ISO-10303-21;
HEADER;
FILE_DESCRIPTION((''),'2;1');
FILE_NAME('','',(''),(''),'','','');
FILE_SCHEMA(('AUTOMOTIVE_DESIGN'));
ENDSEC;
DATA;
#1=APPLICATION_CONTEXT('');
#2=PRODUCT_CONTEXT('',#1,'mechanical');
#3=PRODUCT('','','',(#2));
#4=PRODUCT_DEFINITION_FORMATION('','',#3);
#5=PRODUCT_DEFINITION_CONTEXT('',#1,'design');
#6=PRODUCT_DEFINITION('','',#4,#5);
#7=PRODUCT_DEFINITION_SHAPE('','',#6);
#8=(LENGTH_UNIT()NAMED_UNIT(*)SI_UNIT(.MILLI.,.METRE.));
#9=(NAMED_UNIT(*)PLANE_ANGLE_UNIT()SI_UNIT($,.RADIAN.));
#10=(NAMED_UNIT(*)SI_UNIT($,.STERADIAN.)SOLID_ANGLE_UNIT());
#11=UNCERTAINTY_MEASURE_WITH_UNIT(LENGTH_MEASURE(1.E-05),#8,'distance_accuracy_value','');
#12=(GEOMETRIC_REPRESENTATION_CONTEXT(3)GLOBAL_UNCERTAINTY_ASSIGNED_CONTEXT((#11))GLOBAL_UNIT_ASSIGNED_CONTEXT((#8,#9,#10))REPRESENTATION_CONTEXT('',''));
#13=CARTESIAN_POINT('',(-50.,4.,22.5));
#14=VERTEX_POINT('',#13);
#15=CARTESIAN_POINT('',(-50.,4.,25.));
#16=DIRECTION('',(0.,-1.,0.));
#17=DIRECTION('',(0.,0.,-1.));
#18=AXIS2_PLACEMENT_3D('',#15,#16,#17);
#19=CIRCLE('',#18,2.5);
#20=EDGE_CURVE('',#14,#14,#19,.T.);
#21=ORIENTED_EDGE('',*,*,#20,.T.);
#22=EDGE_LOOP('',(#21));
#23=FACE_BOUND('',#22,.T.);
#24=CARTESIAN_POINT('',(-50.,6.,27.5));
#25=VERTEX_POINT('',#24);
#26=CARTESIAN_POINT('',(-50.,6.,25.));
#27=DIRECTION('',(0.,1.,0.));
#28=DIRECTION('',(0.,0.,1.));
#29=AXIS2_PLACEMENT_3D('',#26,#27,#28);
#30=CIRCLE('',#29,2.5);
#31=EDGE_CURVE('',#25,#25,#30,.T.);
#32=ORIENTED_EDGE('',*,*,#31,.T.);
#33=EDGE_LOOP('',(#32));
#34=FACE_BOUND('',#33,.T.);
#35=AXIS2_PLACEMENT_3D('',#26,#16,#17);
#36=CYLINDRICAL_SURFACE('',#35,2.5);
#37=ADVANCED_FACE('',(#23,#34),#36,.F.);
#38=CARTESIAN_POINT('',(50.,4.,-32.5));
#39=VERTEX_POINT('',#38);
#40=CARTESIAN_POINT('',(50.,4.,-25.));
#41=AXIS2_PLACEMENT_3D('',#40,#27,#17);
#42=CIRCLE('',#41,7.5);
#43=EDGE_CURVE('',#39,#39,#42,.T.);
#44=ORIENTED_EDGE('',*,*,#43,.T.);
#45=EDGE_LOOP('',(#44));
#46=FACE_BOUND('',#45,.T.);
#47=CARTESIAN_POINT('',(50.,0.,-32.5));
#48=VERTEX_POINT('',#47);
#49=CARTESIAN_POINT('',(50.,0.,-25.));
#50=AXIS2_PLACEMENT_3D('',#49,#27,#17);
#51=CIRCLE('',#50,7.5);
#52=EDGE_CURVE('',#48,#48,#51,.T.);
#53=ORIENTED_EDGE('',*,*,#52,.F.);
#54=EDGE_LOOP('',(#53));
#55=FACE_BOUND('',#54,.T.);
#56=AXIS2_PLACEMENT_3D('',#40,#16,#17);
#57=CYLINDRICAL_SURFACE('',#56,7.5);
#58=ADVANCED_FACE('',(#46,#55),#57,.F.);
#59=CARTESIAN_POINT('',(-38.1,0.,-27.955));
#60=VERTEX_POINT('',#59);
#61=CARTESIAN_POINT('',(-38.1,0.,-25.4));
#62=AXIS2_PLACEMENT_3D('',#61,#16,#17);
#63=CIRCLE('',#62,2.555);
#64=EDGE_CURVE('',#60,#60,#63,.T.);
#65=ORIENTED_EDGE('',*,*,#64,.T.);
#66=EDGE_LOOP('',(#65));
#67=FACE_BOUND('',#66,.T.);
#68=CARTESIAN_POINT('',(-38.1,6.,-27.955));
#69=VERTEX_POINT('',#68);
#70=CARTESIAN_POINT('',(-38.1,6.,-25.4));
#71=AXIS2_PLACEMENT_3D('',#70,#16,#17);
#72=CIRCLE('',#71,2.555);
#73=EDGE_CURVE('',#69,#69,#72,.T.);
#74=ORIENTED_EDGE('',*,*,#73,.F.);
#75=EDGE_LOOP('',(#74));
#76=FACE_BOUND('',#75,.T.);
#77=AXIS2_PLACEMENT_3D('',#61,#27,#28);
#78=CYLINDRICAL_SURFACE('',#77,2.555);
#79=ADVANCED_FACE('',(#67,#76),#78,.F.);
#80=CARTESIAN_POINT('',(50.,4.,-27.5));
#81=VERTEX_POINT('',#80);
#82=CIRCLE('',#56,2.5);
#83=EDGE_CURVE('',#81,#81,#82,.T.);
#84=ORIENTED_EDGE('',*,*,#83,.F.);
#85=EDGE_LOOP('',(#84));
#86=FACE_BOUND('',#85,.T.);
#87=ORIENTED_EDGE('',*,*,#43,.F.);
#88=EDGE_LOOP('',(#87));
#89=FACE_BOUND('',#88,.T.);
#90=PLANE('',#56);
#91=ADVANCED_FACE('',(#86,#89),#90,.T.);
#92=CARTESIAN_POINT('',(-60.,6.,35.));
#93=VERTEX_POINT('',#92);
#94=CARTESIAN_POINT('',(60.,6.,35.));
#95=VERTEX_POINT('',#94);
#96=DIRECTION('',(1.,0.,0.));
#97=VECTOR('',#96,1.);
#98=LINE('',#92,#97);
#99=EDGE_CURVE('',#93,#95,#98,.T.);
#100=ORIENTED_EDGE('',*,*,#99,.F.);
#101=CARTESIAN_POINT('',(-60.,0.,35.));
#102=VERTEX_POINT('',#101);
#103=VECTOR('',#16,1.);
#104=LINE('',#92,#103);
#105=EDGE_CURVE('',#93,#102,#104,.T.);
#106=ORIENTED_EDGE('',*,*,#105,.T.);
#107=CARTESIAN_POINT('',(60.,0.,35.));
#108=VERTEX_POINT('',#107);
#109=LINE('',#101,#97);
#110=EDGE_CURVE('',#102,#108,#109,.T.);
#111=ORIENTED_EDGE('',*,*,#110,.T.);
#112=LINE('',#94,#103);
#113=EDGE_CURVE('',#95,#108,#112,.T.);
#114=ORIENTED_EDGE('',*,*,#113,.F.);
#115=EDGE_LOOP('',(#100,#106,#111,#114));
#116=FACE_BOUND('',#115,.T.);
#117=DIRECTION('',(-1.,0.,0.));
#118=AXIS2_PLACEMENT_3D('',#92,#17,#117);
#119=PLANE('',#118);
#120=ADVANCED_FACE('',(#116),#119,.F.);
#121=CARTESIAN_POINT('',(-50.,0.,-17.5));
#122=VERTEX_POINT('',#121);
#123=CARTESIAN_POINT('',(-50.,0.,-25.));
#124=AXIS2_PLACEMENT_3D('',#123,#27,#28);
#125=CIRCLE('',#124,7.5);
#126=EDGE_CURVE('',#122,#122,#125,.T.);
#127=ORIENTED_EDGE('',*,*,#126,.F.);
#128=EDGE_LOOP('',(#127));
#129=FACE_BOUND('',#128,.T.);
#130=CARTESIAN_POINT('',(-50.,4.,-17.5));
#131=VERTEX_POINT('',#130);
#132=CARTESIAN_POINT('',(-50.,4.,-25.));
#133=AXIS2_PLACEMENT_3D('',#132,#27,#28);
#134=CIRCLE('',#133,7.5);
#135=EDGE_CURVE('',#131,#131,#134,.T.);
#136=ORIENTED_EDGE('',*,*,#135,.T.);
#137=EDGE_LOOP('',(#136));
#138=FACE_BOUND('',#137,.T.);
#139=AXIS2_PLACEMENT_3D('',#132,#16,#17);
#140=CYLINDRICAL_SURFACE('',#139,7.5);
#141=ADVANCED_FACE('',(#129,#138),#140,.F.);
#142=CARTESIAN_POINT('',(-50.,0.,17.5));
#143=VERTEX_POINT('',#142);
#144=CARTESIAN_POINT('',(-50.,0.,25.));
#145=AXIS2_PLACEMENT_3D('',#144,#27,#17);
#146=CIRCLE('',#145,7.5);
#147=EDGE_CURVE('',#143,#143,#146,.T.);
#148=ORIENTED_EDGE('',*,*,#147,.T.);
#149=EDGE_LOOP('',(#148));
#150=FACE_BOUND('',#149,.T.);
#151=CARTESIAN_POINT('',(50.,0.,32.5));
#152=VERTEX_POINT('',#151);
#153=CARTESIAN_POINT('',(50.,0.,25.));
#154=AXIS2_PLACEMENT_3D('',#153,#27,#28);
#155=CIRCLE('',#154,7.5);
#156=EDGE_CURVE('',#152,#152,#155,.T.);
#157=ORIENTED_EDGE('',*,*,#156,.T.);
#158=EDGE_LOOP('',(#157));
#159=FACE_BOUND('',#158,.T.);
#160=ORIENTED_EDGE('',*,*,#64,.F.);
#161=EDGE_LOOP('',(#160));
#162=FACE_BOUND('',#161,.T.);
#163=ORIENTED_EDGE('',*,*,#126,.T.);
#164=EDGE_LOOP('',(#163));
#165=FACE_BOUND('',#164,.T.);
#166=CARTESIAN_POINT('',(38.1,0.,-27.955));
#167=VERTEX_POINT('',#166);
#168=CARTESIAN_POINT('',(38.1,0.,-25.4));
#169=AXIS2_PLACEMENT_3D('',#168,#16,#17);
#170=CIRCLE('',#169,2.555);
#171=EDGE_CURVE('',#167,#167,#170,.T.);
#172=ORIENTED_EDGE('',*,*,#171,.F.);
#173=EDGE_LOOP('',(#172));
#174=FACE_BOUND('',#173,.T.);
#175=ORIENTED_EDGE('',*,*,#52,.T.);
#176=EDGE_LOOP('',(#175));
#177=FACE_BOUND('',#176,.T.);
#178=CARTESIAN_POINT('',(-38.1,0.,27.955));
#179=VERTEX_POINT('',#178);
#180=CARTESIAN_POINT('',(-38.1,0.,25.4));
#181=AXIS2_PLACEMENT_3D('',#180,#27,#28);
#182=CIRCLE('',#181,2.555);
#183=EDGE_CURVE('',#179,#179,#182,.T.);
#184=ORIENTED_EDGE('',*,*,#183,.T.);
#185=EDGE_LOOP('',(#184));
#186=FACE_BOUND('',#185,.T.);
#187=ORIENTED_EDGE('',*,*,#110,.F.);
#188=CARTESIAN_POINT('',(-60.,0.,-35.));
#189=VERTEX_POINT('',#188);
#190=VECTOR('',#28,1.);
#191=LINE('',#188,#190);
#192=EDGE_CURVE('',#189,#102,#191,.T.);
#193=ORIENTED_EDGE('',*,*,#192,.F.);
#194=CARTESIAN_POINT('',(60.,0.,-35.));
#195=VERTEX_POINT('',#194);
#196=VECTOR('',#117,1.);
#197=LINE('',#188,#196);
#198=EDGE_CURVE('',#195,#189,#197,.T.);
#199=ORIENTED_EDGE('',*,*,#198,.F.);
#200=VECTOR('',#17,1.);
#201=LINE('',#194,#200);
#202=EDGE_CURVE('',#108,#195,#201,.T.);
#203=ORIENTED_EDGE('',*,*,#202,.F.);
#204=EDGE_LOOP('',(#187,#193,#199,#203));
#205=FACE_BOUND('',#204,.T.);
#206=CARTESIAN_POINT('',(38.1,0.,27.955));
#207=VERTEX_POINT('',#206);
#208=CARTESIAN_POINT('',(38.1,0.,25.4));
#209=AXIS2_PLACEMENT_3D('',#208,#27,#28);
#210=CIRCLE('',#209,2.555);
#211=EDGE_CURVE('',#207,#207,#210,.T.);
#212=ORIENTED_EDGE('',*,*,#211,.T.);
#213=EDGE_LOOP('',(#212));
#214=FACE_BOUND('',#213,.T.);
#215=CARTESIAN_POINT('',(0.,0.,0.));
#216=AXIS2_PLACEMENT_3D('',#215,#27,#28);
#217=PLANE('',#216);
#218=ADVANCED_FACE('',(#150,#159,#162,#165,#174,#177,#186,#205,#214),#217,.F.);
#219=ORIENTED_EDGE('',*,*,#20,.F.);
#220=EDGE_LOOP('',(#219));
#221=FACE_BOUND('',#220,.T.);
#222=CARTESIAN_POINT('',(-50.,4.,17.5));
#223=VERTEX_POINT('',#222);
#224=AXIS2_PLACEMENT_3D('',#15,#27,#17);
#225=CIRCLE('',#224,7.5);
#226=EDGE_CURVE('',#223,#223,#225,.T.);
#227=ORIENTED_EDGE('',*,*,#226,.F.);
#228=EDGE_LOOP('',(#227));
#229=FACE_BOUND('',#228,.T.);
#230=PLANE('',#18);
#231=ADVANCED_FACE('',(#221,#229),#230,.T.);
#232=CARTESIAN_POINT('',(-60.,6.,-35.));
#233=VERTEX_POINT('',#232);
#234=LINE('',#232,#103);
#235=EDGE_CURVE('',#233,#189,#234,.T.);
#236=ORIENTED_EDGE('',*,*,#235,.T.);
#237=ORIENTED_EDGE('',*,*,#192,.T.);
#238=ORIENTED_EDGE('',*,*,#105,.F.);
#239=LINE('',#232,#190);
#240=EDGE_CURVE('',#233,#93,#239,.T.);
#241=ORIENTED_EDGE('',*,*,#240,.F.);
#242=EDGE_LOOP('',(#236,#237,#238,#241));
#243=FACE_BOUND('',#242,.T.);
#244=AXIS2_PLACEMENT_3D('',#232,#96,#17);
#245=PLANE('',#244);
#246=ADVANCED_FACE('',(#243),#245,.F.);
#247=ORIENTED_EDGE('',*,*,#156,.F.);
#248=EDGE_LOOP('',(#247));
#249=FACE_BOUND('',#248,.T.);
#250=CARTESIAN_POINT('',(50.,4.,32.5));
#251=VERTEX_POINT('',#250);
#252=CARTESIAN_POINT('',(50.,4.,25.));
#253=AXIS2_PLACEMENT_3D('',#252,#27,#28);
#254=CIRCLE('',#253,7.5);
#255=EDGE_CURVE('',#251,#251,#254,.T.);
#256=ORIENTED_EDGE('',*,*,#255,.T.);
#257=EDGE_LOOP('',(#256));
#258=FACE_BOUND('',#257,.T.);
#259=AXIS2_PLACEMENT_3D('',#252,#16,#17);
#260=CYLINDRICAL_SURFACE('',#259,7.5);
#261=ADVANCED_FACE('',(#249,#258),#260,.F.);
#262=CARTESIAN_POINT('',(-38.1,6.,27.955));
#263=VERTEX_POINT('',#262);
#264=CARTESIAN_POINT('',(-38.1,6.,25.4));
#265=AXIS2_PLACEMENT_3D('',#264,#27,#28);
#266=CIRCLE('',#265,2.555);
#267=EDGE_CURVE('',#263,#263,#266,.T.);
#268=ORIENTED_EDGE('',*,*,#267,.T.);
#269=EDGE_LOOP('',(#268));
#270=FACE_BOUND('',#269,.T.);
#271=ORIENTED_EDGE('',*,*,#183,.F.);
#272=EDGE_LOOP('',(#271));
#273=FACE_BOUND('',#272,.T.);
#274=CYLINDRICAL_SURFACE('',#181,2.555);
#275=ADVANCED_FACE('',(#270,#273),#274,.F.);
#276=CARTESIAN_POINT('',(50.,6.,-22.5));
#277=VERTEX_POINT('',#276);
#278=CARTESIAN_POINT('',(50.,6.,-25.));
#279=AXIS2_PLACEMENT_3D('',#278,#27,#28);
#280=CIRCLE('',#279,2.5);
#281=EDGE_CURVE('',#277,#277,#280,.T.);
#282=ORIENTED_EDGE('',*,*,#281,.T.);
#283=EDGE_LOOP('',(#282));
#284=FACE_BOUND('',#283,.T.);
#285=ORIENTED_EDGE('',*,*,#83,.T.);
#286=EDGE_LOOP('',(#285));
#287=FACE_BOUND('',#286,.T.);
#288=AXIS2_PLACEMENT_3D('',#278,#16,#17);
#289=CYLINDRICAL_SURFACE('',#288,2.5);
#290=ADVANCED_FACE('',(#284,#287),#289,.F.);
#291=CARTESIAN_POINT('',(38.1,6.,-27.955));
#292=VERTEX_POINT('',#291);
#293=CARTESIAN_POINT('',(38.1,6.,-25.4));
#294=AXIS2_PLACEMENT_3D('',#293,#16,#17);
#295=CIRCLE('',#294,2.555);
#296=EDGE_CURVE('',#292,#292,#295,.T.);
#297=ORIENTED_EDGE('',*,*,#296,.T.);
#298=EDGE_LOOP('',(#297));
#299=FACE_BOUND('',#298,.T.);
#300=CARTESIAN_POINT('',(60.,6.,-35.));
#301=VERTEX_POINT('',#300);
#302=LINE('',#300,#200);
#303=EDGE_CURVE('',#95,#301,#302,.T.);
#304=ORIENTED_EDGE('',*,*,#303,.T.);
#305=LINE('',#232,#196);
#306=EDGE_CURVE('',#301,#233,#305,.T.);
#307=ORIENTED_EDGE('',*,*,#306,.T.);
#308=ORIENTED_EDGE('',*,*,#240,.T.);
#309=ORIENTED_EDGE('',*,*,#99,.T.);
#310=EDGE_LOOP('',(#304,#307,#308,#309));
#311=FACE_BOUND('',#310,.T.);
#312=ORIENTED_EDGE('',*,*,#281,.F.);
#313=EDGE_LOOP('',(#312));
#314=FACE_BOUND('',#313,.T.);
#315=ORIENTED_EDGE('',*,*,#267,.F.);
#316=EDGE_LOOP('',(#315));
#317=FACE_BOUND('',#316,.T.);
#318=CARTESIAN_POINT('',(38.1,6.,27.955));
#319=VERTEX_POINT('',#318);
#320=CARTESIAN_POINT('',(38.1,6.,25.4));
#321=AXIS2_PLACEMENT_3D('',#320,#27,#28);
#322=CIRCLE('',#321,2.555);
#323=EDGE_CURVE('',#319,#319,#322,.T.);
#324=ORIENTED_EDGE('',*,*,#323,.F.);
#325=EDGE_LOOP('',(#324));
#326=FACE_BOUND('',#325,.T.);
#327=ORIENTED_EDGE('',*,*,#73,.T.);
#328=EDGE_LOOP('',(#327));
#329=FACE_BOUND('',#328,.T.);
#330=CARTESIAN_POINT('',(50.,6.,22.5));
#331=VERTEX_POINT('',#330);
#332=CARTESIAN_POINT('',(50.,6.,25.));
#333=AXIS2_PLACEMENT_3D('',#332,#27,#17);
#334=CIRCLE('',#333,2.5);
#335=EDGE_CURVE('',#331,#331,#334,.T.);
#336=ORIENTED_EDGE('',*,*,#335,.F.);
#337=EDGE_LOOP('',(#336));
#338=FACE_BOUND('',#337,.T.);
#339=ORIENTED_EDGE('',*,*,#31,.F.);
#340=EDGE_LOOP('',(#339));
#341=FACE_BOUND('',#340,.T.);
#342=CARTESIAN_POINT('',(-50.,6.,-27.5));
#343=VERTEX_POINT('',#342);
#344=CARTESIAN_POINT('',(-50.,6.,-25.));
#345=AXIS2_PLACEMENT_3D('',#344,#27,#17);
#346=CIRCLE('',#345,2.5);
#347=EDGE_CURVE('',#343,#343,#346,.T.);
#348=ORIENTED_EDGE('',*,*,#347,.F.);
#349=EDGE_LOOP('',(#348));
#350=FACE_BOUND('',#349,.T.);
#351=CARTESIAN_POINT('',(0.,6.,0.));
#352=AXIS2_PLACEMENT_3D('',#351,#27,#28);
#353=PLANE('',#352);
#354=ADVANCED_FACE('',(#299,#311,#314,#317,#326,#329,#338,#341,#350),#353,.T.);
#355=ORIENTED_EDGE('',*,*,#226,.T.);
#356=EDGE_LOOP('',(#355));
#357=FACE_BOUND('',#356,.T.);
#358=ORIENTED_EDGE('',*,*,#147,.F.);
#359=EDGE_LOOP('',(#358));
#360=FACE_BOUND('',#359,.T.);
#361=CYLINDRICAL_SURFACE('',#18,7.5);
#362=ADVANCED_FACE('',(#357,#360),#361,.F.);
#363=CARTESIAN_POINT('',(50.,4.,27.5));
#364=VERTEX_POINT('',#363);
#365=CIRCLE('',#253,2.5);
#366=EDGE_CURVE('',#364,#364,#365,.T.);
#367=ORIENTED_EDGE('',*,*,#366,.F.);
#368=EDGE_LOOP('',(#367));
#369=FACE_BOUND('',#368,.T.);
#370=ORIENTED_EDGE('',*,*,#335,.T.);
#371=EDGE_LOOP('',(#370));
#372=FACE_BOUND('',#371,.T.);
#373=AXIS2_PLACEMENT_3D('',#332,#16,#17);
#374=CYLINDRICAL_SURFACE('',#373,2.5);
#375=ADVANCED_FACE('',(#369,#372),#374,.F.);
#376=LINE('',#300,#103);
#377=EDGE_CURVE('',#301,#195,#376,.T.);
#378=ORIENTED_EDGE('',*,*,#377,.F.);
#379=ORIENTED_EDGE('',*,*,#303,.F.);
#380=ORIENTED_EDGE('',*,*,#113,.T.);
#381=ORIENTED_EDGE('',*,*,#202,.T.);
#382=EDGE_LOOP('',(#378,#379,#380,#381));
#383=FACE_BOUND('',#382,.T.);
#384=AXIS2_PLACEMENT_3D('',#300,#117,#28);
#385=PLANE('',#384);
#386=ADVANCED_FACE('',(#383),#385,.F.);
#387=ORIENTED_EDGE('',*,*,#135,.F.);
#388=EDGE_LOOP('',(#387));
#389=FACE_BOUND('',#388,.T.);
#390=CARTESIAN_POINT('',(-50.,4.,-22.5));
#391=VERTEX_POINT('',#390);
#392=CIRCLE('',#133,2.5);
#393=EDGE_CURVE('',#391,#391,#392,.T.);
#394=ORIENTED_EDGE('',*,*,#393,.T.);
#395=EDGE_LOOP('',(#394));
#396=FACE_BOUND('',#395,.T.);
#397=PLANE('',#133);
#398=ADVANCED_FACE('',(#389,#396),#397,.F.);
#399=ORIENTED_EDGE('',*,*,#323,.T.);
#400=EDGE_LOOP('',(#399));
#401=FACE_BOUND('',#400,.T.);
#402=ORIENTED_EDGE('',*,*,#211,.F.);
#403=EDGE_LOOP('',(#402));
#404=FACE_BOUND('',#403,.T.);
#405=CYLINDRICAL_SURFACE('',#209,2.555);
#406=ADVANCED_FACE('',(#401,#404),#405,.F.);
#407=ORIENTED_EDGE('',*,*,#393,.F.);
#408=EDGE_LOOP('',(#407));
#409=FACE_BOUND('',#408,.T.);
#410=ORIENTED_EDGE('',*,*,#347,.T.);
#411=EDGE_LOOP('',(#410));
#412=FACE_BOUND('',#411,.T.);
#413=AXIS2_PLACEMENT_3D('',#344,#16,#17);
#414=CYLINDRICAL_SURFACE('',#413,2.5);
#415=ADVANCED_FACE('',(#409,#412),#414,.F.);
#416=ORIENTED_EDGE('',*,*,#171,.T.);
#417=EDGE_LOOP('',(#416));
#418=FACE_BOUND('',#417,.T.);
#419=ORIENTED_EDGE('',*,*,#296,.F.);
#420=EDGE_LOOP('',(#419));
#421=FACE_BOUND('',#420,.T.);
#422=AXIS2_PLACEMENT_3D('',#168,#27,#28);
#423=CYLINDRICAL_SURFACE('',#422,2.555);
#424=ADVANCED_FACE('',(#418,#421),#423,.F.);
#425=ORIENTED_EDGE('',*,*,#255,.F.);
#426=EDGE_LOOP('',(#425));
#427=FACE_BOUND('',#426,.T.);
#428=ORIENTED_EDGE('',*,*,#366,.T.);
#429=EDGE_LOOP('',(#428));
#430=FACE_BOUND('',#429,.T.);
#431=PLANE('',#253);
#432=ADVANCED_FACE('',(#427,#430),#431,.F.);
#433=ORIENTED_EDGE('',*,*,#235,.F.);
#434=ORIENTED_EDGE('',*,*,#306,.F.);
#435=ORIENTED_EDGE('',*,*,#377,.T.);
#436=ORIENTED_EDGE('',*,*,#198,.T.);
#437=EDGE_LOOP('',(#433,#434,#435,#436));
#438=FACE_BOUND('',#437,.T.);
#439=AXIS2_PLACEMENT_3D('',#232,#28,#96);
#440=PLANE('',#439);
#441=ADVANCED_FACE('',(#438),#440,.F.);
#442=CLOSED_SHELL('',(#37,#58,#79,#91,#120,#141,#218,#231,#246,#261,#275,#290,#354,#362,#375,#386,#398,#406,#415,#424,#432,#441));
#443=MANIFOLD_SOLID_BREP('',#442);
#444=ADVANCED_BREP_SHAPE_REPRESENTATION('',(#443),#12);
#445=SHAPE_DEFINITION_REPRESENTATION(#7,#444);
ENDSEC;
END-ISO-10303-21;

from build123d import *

# Parameters (mm, degrees)
SKETCH1_W           = 120
SKETCH1_H           = 70
SKETCH1_R           = 2.5
BOSS_EXTRUDE1_DEPTH = 6
SKETCH2_R           = 2.555
CUT_EXTRUDE1_DEPTH  = 7
SKETCH3_R           = 7.5
CUT_EXTRUDE2_DEPTH  = 4


with BuildPart() as part:
    # Sketch1 → Boss-Extrude1 (new body)
    with BuildSketch(Plane(origin=(0, 0, 0), x_dir=(1, 0, 0), z_dir=(0, 1, 0))):
        Rectangle(SKETCH1_W, SKETCH1_H)
        with Locations((-50, -25)):
            Circle(SKETCH1_R, mode=Mode.SUBTRACT)
        with Locations((-50, 25)):
            Circle(SKETCH1_R, mode=Mode.SUBTRACT)
        with Locations((50, 25)):
            Circle(SKETCH1_R, mode=Mode.SUBTRACT)
        with Locations((50, -25)):
            Circle(SKETCH1_R, mode=Mode.SUBTRACT)
    extrude(amount=BOSS_EXTRUDE1_DEPTH)

    # Sketch2 → Cut-Extrude1 (cut, through all)
    with BuildSketch(Plane(origin=(0, 6, 0), x_dir=(1, 0, 0), z_dir=(0, 1, 0))):
        with Locations((38.1, -25.4)):
            Circle(SKETCH2_R)
        with Locations((-38.1, -25.4)):
            Circle(SKETCH2_R)
        with Locations((38.1, 25.4)):
            Circle(SKETCH2_R)
        with Locations((-38.1, 25.4)):
            Circle(SKETCH2_R)
    extrude(amount=-CUT_EXTRUDE1_DEPTH, mode=Mode.SUBTRACT)

    # Sketch3 → Cut-Extrude2 (cut)
    with BuildSketch(Plane(origin=(0, 0, 0), x_dir=(1, 0, 0), z_dir=(0, 1, 0))):
        with Locations((-50, 25)):
            Circle(SKETCH3_R)
        with Locations((50, 25)):
            Circle(SKETCH3_R)
        with Locations((50, -25)):
            Circle(SKETCH3_R)
        with Locations((-50, -25)):
            Circle(SKETCH3_R)
    extrude(amount=CUT_EXTRUDE2_DEPTH, mode=Mode.SUBTRACT)


solid = part.part
